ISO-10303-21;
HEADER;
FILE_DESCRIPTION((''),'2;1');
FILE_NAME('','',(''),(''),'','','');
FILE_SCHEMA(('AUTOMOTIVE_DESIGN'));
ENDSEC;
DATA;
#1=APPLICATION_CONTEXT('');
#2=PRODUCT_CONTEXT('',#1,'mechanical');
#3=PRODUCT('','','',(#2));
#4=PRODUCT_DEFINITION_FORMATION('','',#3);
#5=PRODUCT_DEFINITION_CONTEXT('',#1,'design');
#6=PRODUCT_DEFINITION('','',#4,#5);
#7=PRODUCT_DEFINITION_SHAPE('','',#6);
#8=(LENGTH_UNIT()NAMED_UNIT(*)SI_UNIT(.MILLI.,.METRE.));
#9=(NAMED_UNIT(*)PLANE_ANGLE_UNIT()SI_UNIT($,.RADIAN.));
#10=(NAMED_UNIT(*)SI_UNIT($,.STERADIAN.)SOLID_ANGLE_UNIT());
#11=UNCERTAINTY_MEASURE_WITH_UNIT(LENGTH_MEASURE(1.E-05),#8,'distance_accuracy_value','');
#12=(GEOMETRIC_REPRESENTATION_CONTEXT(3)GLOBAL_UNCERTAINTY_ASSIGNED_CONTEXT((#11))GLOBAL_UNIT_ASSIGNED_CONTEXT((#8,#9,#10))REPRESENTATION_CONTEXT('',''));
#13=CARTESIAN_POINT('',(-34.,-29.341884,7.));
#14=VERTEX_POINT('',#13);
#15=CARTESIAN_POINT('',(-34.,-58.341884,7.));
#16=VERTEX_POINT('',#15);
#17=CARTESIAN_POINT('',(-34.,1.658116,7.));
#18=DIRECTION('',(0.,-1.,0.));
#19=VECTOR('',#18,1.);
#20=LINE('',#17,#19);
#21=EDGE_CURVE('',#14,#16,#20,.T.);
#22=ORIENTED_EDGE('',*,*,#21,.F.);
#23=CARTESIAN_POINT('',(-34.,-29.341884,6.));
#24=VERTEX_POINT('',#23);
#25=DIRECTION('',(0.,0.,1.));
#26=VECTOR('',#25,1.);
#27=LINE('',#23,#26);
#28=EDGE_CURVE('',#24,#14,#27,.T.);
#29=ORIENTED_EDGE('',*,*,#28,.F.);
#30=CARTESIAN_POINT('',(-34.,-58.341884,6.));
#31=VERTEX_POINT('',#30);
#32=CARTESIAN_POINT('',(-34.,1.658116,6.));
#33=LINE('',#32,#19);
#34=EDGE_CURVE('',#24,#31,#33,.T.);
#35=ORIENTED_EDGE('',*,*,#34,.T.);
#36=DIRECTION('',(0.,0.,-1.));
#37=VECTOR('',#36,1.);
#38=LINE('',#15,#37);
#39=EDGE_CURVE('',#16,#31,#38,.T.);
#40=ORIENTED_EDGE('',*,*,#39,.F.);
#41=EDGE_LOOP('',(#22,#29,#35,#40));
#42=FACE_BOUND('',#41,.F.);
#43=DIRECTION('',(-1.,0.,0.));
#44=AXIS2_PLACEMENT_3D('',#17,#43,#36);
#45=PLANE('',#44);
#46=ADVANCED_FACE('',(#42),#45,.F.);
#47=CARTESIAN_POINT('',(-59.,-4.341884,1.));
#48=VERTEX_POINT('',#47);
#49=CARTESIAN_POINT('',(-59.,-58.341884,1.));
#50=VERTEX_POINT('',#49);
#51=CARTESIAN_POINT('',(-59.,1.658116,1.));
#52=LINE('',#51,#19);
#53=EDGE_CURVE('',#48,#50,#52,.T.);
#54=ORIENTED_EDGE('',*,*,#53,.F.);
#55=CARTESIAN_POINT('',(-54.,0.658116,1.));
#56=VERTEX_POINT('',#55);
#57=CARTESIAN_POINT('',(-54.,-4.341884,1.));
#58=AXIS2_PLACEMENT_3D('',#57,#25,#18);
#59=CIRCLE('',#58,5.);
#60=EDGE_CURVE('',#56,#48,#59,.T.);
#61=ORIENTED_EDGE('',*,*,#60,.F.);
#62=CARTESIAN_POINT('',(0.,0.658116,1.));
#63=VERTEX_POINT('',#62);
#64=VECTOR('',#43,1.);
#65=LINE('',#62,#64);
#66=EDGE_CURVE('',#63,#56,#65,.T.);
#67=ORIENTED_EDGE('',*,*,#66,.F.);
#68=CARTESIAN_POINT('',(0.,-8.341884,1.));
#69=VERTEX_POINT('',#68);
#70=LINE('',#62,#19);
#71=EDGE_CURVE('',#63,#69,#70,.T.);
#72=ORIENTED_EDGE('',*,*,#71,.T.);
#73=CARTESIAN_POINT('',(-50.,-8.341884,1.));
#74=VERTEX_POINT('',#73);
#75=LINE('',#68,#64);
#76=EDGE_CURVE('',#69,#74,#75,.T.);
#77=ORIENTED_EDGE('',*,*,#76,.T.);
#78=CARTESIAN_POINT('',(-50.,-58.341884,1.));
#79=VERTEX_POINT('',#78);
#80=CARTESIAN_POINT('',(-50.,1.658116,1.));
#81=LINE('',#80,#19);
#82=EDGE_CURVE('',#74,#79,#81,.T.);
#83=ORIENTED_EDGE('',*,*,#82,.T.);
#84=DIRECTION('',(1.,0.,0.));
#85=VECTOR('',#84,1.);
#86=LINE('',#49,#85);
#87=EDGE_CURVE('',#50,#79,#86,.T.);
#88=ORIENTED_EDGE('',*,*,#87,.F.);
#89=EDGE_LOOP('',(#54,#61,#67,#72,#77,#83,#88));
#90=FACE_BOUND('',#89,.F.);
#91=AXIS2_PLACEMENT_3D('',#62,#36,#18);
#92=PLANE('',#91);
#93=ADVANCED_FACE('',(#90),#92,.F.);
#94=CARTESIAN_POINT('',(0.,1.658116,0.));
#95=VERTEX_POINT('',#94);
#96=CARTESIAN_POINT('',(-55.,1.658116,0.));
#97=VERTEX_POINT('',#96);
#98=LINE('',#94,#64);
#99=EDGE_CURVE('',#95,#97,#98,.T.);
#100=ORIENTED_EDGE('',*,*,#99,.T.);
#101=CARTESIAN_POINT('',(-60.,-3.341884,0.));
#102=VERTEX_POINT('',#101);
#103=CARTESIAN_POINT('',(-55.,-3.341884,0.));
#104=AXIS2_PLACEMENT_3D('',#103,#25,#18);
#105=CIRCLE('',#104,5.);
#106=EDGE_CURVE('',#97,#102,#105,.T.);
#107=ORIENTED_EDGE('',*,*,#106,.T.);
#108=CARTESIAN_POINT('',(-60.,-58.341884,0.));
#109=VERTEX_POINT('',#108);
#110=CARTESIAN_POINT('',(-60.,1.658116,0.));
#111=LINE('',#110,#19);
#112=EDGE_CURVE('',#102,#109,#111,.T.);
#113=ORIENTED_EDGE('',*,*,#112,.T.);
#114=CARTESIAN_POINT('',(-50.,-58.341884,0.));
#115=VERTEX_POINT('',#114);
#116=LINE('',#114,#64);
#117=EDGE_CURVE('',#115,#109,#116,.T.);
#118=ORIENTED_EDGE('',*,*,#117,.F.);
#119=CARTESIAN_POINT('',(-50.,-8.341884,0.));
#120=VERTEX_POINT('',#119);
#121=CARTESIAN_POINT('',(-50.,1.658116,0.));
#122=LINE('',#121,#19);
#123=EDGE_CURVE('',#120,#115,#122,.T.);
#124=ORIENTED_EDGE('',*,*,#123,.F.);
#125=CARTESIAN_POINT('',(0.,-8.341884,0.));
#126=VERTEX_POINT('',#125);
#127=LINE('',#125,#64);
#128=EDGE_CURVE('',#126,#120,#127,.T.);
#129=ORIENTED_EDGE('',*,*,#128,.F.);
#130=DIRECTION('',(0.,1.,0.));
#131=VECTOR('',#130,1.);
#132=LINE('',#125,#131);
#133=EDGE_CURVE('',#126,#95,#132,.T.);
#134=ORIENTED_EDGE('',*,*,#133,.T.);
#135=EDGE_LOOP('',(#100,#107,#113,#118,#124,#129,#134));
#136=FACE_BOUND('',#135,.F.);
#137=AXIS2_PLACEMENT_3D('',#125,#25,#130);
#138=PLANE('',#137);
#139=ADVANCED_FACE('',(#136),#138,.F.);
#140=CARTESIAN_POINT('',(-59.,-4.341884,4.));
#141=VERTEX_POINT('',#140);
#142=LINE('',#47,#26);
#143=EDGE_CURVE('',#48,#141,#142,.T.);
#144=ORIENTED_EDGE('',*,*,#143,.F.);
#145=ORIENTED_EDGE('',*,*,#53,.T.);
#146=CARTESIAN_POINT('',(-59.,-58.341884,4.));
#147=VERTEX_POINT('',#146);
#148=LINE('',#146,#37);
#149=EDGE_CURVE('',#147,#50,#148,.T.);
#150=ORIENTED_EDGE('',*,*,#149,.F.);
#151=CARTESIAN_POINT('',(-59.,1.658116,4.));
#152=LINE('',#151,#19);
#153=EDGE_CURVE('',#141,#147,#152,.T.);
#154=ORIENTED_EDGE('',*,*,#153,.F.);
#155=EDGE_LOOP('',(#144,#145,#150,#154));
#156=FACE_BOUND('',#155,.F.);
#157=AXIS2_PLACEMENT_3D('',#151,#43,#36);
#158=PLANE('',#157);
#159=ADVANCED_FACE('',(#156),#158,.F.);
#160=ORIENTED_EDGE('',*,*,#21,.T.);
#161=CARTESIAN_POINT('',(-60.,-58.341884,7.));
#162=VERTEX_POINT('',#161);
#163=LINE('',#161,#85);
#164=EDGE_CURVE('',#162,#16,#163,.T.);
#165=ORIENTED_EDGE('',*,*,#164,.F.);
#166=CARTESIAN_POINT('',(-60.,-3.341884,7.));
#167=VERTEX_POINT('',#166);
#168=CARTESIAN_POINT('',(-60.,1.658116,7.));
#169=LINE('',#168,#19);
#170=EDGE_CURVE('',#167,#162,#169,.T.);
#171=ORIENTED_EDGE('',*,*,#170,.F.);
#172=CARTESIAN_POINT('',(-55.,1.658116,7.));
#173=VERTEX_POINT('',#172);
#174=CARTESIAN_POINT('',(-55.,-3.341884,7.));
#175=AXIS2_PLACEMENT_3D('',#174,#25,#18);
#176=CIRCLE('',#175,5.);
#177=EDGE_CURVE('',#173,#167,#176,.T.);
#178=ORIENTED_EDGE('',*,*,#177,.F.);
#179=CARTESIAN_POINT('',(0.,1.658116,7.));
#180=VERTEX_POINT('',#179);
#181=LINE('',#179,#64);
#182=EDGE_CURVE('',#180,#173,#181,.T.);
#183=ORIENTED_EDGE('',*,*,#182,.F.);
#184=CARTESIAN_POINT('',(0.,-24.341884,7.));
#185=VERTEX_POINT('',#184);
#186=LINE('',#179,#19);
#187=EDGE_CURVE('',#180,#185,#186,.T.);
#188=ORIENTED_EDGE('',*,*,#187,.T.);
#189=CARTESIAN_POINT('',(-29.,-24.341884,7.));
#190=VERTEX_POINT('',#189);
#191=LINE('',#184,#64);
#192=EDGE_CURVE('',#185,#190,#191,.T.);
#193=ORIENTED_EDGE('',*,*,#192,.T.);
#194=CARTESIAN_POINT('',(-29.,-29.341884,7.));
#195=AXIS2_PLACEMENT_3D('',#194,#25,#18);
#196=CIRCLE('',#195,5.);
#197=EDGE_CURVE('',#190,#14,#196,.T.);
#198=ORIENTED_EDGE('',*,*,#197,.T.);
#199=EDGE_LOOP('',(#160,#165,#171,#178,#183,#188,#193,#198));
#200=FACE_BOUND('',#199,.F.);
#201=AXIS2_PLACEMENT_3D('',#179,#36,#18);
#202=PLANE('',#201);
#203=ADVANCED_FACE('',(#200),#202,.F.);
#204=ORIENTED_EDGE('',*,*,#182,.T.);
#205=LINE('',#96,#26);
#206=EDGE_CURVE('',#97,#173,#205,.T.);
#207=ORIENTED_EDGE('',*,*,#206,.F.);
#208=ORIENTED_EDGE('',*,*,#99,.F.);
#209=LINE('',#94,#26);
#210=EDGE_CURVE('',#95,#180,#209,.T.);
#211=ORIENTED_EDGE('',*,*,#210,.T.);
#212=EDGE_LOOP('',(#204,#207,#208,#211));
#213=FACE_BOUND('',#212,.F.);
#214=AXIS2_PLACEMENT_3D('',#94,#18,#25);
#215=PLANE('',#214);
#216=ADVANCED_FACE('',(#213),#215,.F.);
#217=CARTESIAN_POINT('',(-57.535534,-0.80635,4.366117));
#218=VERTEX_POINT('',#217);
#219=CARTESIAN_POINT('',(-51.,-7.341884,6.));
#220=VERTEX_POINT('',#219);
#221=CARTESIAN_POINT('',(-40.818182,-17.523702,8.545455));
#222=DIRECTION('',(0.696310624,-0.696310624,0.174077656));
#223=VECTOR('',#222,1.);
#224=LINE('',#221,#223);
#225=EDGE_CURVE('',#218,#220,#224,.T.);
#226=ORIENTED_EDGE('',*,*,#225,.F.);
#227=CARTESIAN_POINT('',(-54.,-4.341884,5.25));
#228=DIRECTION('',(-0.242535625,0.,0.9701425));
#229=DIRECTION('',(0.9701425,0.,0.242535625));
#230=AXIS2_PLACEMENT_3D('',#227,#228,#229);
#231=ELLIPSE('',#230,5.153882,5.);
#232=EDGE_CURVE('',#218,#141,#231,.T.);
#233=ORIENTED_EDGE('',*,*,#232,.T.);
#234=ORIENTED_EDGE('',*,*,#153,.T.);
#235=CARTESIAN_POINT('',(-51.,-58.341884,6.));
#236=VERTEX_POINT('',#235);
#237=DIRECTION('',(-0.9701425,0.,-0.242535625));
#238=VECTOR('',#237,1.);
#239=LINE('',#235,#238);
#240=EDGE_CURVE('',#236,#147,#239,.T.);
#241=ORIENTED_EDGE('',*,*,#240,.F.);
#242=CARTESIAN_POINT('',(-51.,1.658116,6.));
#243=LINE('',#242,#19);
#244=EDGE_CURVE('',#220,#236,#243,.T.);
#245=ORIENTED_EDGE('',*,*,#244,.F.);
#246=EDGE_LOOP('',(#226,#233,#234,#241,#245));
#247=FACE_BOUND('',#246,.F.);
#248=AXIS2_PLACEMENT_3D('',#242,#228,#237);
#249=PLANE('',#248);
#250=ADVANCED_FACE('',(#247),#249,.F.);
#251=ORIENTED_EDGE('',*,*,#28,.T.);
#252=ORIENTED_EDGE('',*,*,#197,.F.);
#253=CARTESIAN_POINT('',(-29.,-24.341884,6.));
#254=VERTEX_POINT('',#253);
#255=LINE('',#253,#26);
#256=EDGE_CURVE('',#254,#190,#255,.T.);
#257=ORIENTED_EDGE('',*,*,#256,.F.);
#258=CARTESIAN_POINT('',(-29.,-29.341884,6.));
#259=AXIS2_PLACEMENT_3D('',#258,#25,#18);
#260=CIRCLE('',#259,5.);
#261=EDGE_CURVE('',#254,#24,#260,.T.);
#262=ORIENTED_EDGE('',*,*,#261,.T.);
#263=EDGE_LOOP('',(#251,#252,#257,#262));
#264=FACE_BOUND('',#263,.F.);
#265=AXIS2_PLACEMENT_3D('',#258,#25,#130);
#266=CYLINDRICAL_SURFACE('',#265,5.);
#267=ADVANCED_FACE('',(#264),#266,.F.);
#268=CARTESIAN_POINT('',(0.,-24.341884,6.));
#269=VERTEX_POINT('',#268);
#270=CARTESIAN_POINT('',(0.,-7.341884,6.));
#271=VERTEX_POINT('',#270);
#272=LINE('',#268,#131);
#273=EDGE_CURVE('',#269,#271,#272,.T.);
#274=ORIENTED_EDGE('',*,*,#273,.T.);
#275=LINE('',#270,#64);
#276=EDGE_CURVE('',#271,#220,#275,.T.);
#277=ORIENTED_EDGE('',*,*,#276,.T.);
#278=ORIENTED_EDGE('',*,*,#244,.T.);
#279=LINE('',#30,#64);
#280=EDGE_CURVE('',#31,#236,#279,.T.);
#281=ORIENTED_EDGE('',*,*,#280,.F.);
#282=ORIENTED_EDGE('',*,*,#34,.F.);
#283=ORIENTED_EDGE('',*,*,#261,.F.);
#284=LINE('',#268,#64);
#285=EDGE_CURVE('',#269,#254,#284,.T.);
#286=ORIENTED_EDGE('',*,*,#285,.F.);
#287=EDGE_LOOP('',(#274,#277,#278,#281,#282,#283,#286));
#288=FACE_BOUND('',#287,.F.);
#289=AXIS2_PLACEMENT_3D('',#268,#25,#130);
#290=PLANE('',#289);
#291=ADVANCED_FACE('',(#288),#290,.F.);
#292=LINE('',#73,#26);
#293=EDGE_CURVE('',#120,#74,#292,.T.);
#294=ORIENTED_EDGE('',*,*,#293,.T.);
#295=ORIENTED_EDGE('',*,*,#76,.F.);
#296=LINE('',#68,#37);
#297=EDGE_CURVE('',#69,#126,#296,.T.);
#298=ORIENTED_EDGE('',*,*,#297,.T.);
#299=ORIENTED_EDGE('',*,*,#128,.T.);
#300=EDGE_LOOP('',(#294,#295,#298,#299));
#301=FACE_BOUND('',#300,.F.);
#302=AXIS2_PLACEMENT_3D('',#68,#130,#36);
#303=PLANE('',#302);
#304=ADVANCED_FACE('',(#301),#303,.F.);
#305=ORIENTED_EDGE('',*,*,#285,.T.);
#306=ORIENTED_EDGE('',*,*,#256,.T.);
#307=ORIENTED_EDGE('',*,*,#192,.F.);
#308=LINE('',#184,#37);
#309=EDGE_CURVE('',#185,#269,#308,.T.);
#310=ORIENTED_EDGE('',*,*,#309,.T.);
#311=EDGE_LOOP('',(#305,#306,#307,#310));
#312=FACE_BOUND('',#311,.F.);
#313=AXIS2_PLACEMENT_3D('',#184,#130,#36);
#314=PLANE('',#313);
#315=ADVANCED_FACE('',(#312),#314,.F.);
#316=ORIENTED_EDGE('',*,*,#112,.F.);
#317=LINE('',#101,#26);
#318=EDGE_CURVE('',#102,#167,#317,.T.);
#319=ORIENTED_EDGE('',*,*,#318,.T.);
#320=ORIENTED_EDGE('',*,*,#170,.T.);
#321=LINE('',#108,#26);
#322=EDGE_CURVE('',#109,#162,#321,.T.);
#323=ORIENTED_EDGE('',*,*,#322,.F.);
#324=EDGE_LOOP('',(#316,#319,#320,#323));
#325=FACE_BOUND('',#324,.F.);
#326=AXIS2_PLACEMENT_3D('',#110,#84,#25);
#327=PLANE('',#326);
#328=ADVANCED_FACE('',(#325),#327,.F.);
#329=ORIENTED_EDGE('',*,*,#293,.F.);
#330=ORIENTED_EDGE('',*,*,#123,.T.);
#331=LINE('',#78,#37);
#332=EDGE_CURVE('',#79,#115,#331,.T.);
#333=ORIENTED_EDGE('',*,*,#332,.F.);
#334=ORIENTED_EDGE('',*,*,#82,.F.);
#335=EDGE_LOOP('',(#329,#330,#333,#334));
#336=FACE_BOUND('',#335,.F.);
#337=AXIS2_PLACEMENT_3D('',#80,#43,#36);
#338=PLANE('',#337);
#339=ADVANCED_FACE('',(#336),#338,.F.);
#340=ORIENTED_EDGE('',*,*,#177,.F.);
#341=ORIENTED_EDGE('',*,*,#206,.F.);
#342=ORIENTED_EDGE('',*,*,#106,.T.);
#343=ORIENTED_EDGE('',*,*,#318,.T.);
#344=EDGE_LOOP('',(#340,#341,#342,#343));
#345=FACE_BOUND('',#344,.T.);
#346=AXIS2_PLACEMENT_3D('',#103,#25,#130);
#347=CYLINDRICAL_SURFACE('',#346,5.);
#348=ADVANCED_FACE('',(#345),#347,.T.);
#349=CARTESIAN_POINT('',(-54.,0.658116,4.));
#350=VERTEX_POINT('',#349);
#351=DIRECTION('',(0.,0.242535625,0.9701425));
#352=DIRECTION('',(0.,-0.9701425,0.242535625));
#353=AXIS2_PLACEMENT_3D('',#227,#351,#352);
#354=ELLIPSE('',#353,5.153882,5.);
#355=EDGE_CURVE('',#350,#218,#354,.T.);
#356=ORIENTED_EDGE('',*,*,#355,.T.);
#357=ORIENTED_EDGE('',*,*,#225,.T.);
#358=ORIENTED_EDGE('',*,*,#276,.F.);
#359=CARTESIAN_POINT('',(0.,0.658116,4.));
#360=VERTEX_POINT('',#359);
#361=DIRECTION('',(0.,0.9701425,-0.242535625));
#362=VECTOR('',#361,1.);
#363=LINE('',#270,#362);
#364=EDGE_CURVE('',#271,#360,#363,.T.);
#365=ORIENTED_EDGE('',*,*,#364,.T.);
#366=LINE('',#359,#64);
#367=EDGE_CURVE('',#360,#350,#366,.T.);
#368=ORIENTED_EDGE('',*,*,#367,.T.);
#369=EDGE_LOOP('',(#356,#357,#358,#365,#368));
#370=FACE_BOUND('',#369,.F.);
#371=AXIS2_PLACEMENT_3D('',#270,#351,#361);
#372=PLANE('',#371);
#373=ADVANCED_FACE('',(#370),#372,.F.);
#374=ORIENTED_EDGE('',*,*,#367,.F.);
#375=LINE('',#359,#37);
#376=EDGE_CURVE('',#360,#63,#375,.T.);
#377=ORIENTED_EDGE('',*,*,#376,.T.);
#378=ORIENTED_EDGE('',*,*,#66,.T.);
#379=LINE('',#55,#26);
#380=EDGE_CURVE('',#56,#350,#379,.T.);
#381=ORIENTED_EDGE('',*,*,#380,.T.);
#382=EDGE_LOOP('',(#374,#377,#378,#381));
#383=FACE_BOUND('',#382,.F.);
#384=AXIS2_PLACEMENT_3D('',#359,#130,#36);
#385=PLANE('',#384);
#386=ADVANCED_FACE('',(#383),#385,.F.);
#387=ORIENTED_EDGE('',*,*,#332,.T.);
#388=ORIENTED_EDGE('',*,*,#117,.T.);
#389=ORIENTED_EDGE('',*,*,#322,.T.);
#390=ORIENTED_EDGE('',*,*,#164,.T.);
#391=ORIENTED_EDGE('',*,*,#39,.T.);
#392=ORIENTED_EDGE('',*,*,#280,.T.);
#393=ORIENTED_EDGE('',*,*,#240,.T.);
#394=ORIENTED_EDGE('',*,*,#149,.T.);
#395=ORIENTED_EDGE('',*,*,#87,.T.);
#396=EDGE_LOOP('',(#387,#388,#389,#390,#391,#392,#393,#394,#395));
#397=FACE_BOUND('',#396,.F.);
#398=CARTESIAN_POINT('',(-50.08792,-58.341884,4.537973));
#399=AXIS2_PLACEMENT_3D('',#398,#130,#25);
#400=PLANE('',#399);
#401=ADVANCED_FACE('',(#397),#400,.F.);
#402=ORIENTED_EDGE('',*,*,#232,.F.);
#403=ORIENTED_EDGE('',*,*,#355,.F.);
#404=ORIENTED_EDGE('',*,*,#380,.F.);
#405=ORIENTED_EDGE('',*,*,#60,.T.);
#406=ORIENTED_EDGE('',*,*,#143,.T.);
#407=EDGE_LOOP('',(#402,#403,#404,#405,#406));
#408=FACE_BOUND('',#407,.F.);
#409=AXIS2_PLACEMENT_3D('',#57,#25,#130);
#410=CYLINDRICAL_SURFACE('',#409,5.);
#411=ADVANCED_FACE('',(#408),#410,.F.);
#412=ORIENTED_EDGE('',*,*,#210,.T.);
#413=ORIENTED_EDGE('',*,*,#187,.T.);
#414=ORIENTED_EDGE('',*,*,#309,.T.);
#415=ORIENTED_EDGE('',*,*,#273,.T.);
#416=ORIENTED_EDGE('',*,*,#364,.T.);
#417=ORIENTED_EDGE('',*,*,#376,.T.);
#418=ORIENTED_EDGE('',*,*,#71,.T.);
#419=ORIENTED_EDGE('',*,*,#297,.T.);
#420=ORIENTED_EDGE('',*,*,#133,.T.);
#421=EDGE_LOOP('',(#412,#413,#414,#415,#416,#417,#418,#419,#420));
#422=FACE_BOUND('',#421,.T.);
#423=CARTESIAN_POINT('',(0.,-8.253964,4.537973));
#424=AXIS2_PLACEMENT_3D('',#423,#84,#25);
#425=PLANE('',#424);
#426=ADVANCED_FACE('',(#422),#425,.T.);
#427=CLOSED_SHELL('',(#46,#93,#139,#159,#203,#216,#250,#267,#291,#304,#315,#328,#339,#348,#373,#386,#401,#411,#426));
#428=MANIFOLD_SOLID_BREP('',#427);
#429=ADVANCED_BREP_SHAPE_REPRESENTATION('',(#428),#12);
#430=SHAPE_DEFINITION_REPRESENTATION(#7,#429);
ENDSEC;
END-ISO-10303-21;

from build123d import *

# Parameters (mm, degrees)
F3_R = 5
F4_R = 5


with BuildPart() as f2:
    # F2: sweep along a path in F1
    with BuildLine(Plane.XY) as f2_path:
        Line((0, 1.6581159234), (-60, 1.6581159234))
        Line((-60, 1.6581159234), (-60, -58.3418840766))
    # F0 (on Right) → F2 (sweep)
    with BuildSketch(Plane.YZ):
        Polygon((1.6581159234, 7), (-24.3418840766, 7), (-24.3418840766, 6), (-7.3418840766, 6), (0.6581159234, 4), (0.6581159234, 1), (-8.3418840766, 1), (-8.3418840766, 0), (1.6581159234, 0), align=None)
    sweep(path=f2_path.line, transition=Transition.RIGHT)

    # F3
    f3_edges = [f2.edges().sort_by_distance(p)[0] for p in [
        (-59, 0.658116, 2.5),
    ]]
    fillet(f3_edges, radius=F3_R)

    # F4
    f4_edges = [f2.edges().sort_by_distance(p)[0] for p in [
        (-34, -24.341884, 6.5),
        (-60, 1.658116, 3.5),
    ]]
    fillet(f4_edges, radius=F4_R)


solid = f2.part
